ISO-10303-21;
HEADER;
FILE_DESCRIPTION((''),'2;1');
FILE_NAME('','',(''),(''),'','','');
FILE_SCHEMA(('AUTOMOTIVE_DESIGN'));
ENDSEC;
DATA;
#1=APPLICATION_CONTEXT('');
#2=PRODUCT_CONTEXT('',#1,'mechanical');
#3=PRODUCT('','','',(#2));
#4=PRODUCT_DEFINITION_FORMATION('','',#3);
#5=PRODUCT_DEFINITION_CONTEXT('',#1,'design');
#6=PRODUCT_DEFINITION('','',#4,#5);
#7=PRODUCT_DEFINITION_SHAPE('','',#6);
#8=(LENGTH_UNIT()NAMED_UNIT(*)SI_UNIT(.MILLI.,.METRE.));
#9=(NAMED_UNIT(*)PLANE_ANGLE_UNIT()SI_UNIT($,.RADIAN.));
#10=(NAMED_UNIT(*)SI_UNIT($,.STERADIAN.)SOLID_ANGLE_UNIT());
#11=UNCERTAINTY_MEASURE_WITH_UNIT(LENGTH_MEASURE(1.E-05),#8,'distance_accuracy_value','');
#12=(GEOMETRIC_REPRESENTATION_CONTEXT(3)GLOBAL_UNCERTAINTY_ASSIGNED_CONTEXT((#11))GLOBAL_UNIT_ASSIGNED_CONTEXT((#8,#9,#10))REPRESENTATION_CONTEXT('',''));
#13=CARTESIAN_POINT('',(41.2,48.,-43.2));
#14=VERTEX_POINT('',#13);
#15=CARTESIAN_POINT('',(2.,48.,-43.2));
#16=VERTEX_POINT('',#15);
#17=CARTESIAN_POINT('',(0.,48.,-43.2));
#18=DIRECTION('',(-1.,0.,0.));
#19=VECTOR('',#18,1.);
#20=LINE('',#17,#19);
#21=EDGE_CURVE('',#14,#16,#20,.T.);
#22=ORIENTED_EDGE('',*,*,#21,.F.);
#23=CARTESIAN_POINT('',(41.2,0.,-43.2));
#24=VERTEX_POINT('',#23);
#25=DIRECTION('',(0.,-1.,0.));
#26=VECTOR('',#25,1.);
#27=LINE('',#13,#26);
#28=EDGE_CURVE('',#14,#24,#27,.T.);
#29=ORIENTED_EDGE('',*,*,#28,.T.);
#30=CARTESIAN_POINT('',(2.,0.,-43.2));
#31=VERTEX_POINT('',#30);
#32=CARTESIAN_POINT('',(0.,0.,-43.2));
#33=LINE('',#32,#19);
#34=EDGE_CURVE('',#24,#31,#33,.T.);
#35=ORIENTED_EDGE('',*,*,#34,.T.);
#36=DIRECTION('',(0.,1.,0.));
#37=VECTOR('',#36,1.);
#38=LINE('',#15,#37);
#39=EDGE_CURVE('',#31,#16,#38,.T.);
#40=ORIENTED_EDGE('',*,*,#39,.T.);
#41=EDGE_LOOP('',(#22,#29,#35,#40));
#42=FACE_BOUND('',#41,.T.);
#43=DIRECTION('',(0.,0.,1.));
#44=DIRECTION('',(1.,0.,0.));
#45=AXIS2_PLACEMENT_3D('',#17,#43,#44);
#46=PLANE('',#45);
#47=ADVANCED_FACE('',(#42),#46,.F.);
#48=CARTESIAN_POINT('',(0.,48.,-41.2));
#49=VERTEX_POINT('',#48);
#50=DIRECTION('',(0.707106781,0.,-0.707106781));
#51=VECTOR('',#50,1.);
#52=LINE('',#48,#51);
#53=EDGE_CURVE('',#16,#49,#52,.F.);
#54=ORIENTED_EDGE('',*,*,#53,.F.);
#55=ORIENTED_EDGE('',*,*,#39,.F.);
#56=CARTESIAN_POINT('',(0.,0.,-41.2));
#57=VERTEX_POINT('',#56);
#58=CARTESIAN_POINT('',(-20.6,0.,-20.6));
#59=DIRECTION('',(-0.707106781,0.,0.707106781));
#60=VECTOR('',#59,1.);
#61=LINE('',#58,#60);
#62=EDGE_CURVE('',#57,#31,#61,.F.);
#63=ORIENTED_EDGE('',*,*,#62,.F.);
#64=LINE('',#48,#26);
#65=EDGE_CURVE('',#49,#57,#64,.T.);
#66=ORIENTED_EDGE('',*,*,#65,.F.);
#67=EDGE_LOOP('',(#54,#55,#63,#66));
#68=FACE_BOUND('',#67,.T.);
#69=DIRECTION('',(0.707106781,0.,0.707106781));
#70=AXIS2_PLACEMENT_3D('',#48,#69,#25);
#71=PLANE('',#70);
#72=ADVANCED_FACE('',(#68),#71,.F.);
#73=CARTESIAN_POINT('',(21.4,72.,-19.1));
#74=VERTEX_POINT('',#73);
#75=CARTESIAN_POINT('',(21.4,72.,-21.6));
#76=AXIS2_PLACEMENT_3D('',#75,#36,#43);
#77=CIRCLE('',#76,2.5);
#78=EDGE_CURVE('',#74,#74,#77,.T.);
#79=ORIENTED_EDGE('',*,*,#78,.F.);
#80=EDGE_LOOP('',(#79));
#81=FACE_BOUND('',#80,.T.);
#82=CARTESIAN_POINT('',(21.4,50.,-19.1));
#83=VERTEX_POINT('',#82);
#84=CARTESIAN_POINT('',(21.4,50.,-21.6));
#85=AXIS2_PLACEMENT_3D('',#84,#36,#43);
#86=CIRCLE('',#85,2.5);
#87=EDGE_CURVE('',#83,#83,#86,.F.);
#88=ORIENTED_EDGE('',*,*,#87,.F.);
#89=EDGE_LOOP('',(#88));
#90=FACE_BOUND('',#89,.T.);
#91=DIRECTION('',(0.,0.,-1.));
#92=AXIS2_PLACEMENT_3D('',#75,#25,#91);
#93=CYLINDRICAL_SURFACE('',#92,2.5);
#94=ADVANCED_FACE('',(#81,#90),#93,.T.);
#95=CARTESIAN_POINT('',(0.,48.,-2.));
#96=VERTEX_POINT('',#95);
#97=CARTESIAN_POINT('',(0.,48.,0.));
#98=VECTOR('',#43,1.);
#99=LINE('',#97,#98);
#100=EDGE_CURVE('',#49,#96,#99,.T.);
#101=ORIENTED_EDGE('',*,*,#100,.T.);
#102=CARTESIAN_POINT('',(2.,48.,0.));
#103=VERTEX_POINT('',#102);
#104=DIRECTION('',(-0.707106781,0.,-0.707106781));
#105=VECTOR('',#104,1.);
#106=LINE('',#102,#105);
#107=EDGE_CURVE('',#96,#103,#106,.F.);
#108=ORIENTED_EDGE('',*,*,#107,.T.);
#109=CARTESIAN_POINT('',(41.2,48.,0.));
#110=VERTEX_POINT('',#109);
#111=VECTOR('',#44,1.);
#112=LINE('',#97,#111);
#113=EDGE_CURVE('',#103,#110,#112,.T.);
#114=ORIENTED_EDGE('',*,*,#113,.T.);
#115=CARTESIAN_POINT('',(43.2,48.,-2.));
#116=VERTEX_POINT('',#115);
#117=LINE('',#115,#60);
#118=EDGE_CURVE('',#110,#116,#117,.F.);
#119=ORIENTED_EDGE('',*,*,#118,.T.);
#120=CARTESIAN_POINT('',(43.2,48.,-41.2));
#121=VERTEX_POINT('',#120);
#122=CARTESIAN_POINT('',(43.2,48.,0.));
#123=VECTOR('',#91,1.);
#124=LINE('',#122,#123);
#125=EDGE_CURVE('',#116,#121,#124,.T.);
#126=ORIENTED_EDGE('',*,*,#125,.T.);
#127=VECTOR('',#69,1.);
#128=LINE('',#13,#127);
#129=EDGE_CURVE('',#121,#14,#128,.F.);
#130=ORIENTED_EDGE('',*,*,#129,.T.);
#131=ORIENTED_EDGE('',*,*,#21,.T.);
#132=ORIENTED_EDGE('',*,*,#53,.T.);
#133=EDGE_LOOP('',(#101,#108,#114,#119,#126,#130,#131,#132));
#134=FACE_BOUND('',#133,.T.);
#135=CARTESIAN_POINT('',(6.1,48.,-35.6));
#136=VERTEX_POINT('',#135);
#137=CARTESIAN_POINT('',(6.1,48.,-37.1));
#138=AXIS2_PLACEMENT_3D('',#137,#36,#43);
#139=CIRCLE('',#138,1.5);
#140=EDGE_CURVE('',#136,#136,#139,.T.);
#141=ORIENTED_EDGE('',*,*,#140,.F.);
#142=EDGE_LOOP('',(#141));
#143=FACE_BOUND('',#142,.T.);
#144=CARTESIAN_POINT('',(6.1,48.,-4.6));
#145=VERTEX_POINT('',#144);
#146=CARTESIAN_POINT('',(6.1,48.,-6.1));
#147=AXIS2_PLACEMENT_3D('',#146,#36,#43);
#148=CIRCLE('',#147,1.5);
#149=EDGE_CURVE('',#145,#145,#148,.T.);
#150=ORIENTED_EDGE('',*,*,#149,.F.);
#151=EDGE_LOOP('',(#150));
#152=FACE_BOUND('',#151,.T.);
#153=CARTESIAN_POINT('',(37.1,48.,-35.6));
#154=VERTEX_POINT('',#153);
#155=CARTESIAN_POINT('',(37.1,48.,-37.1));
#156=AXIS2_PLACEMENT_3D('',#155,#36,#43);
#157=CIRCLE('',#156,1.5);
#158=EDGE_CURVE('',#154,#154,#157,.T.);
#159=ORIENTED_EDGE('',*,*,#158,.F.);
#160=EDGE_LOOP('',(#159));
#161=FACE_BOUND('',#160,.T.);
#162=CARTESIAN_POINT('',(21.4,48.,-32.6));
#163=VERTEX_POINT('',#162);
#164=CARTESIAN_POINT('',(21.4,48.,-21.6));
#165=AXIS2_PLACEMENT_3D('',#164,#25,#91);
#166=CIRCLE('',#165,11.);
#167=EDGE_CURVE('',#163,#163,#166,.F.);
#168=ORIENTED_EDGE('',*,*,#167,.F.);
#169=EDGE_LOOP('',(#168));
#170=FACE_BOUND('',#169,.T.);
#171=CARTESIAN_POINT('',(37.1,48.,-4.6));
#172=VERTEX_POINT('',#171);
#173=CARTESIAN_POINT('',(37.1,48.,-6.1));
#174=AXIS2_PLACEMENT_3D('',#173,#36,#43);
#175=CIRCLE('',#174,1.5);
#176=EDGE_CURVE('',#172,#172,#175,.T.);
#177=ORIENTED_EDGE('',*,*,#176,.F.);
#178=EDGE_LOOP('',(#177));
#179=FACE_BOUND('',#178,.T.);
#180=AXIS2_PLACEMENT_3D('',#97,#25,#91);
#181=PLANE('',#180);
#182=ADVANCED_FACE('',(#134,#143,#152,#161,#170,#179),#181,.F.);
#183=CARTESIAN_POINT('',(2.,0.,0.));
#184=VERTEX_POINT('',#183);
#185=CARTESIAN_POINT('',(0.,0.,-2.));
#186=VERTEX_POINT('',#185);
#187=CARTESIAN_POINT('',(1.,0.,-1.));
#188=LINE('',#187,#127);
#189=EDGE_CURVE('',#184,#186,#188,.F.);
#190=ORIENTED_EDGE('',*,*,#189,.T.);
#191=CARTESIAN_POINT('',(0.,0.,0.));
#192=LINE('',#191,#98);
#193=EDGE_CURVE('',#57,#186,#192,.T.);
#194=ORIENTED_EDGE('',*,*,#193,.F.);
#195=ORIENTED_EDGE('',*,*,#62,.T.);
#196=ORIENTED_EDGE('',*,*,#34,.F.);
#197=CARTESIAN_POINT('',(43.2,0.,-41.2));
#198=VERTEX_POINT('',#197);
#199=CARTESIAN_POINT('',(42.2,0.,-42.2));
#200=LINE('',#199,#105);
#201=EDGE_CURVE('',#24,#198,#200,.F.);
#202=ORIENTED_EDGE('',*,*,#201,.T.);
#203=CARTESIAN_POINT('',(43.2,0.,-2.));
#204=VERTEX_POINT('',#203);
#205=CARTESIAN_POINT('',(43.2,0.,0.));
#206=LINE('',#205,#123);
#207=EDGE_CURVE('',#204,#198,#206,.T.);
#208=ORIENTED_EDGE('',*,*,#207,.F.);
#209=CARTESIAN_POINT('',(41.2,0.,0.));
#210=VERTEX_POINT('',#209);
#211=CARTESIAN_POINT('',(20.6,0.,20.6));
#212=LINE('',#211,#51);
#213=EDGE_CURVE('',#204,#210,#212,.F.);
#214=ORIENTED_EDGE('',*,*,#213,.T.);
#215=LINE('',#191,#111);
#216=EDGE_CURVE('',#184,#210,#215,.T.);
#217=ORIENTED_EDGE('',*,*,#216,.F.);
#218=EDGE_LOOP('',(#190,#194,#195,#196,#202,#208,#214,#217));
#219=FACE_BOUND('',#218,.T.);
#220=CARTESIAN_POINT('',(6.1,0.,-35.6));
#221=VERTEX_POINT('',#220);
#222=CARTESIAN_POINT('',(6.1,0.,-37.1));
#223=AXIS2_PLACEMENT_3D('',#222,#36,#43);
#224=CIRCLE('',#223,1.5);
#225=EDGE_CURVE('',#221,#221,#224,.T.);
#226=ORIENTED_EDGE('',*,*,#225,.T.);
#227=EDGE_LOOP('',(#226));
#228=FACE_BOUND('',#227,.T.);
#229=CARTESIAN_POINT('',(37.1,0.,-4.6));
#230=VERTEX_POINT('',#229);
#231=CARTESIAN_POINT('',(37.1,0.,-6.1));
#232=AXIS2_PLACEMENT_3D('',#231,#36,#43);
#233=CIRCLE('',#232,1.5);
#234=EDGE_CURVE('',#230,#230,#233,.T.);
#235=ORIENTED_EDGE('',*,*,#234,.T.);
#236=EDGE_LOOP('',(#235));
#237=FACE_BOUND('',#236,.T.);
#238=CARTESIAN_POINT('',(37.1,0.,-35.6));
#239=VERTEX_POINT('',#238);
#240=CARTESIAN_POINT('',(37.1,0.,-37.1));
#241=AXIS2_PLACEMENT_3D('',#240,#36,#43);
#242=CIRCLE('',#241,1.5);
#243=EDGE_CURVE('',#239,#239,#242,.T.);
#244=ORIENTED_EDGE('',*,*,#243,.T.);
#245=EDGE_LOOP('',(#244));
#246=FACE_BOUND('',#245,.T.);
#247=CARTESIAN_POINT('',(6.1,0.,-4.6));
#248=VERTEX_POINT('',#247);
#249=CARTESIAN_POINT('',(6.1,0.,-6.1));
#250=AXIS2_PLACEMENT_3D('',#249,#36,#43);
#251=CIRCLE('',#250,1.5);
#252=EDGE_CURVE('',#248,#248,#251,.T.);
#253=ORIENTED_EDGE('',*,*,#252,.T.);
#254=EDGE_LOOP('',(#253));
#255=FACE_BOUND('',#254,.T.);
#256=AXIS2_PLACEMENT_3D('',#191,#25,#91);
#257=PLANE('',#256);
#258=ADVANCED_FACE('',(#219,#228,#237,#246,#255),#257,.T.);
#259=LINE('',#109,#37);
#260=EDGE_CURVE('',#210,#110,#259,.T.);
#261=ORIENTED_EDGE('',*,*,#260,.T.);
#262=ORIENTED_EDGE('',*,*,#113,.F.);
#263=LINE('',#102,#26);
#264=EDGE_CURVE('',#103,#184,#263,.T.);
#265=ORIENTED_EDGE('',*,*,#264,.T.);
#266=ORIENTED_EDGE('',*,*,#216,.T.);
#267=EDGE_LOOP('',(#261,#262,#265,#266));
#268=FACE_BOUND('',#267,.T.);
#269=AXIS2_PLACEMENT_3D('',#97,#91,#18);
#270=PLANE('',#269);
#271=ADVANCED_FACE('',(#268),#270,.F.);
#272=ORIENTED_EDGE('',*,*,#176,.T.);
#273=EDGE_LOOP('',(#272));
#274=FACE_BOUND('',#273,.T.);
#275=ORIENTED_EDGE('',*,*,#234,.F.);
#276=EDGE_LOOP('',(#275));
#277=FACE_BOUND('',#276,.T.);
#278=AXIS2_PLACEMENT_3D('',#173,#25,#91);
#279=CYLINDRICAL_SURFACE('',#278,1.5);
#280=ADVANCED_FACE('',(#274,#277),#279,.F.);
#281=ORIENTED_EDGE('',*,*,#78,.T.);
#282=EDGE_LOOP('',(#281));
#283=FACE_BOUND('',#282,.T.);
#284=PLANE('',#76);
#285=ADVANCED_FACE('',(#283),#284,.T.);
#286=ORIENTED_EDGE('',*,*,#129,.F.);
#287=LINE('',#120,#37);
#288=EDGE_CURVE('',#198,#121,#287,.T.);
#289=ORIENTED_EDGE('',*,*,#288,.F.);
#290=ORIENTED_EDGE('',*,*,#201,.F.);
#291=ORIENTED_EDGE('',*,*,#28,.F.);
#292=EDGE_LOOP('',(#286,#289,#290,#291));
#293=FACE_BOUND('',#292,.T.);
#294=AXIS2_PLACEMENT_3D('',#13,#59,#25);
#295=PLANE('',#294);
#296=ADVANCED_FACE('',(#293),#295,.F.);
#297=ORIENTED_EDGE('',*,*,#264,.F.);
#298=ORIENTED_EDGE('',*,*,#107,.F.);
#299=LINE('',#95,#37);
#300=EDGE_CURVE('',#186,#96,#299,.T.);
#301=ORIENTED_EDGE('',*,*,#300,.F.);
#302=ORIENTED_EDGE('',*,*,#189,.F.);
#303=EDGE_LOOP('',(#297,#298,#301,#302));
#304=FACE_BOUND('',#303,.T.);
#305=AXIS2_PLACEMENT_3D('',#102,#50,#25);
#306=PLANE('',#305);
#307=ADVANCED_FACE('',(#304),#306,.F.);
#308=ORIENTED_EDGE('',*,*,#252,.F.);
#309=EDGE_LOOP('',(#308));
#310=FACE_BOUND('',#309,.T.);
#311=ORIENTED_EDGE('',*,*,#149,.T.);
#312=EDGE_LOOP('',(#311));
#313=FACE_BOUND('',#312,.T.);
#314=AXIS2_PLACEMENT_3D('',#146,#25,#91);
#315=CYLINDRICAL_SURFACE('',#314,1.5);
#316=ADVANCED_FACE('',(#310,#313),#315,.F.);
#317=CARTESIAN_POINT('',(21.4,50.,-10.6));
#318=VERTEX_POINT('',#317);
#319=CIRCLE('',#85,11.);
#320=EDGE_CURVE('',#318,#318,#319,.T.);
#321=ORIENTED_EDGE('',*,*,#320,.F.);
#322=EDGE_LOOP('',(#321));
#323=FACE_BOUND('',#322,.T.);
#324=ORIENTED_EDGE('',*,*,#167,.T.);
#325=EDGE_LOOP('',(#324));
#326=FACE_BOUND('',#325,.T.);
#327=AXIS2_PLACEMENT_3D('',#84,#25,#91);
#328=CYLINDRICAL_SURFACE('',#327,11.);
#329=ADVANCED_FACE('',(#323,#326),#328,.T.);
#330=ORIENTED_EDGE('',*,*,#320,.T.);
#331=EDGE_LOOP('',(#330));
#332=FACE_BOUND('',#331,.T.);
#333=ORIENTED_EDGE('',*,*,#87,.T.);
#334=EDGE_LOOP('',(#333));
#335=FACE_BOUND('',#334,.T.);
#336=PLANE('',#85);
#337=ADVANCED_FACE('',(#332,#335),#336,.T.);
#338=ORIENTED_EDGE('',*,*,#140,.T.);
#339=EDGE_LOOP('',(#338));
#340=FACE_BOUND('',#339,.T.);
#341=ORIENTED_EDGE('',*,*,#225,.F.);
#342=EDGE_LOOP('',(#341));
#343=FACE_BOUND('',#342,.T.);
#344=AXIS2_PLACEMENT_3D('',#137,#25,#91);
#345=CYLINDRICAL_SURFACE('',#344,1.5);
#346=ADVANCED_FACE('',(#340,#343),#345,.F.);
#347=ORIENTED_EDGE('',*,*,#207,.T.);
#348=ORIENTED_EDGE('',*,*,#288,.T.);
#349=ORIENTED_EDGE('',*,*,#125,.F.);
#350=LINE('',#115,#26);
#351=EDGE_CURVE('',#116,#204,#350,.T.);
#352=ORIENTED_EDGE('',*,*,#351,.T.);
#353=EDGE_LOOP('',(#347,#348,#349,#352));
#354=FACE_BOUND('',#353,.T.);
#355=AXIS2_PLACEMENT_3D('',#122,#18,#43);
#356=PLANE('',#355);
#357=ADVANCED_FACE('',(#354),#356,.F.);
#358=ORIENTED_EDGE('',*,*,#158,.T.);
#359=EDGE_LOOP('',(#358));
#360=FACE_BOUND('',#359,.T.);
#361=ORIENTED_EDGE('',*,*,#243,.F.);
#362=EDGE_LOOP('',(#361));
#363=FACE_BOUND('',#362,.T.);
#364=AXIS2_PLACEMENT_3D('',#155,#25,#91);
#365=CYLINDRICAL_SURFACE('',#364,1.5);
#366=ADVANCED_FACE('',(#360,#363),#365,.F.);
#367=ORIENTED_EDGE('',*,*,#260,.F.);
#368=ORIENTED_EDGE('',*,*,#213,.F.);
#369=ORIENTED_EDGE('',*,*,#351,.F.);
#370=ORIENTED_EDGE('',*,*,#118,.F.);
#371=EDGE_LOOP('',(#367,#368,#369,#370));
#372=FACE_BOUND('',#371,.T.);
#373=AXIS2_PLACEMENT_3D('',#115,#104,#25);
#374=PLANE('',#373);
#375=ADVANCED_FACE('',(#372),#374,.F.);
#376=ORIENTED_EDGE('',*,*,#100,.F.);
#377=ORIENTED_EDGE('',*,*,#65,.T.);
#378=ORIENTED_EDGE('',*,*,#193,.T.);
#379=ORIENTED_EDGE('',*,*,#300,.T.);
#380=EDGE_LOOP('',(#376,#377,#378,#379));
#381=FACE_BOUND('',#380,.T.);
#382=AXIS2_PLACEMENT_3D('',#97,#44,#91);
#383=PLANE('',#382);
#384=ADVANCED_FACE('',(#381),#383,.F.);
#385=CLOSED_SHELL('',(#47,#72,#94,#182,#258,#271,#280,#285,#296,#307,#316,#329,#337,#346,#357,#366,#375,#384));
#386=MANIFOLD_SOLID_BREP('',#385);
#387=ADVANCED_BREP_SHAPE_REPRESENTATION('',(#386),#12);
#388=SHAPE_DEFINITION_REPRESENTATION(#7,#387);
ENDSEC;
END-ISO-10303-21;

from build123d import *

# Parameters (mm, degrees)
SKETCH1_W           = 43.2
SKETCH1_H           = 43.2
SKETCH1_R           = 1.5
BOSS_EXTRUDE1_DEPTH = 48
CHAMFER1_SIZE       = 2
SKETCH2_R           = 11
BOSS_EXTRUDE2_DEPTH = 2
SKETCH3_R           = 2.5
BOSS_EXTRUDE3_DEPTH = 24


with BuildPart() as part:
    # Sketch1 → Boss-Extrude1 (new body)
    with BuildSketch(Plane(origin=(0, 0, 0), x_dir=(1, 0, 0), z_dir=(0, 1, 0))):
        with Locations((21.6, 21.6)):
            Rectangle(SKETCH1_W, SKETCH1_H)
        with Locations(Location((6.1, 37.1, 0), (0, 0, 270))):
            Circle(SKETCH1_R, mode=Mode.SUBTRACT)
        with Locations(Location((37.1, 37.1, 0), (0, 0, 270))):
            Circle(SKETCH1_R, mode=Mode.SUBTRACT)
        with Locations(Location((37.1, 6.1, 0), (0, 0, 270))):
            Circle(SKETCH1_R, mode=Mode.SUBTRACT)
        with Locations(Location((6.1, 6.1, 0), (0, 0, 270))):
            Circle(SKETCH1_R, mode=Mode.SUBTRACT)
    extrude(amount=BOSS_EXTRUDE1_DEPTH)

    # Chamfer1
    chamfer1_edges = [part.edges().sort_by_distance(p)[0] for p in [
        (0, 24, -43.2),
        (43.2, 24, -43.2),
        (43.2, 24, 0),
        (0, 24, 0),
    ]]
    chamfer(chamfer1_edges, length=CHAMFER1_SIZE)

    # Sketch2 → Boss-Extrude2 (add)
    with BuildSketch(Plane(origin=(0, 48, 0), x_dir=(1, 0, 0), z_dir=(0, 1, 0))):
        with Locations(Location((21.4, 21.6, 0), (0, 0, 90))):
            Circle(SKETCH2_R)
    extrude(amount=BOSS_EXTRUDE2_DEPTH)

    # Sketch3 → Boss-Extrude3 (add)
    with BuildSketch(Plane(origin=(0, 48, 0), x_dir=(1, 0, 0), z_dir=(0, 1, 0))):
        with Locations(Location((21.4, 21.6, 0), (0, 0, 270))):
            Circle(SKETCH3_R)
    extrude(amount=BOSS_EXTRUDE3_DEPTH)


solid = part.part
